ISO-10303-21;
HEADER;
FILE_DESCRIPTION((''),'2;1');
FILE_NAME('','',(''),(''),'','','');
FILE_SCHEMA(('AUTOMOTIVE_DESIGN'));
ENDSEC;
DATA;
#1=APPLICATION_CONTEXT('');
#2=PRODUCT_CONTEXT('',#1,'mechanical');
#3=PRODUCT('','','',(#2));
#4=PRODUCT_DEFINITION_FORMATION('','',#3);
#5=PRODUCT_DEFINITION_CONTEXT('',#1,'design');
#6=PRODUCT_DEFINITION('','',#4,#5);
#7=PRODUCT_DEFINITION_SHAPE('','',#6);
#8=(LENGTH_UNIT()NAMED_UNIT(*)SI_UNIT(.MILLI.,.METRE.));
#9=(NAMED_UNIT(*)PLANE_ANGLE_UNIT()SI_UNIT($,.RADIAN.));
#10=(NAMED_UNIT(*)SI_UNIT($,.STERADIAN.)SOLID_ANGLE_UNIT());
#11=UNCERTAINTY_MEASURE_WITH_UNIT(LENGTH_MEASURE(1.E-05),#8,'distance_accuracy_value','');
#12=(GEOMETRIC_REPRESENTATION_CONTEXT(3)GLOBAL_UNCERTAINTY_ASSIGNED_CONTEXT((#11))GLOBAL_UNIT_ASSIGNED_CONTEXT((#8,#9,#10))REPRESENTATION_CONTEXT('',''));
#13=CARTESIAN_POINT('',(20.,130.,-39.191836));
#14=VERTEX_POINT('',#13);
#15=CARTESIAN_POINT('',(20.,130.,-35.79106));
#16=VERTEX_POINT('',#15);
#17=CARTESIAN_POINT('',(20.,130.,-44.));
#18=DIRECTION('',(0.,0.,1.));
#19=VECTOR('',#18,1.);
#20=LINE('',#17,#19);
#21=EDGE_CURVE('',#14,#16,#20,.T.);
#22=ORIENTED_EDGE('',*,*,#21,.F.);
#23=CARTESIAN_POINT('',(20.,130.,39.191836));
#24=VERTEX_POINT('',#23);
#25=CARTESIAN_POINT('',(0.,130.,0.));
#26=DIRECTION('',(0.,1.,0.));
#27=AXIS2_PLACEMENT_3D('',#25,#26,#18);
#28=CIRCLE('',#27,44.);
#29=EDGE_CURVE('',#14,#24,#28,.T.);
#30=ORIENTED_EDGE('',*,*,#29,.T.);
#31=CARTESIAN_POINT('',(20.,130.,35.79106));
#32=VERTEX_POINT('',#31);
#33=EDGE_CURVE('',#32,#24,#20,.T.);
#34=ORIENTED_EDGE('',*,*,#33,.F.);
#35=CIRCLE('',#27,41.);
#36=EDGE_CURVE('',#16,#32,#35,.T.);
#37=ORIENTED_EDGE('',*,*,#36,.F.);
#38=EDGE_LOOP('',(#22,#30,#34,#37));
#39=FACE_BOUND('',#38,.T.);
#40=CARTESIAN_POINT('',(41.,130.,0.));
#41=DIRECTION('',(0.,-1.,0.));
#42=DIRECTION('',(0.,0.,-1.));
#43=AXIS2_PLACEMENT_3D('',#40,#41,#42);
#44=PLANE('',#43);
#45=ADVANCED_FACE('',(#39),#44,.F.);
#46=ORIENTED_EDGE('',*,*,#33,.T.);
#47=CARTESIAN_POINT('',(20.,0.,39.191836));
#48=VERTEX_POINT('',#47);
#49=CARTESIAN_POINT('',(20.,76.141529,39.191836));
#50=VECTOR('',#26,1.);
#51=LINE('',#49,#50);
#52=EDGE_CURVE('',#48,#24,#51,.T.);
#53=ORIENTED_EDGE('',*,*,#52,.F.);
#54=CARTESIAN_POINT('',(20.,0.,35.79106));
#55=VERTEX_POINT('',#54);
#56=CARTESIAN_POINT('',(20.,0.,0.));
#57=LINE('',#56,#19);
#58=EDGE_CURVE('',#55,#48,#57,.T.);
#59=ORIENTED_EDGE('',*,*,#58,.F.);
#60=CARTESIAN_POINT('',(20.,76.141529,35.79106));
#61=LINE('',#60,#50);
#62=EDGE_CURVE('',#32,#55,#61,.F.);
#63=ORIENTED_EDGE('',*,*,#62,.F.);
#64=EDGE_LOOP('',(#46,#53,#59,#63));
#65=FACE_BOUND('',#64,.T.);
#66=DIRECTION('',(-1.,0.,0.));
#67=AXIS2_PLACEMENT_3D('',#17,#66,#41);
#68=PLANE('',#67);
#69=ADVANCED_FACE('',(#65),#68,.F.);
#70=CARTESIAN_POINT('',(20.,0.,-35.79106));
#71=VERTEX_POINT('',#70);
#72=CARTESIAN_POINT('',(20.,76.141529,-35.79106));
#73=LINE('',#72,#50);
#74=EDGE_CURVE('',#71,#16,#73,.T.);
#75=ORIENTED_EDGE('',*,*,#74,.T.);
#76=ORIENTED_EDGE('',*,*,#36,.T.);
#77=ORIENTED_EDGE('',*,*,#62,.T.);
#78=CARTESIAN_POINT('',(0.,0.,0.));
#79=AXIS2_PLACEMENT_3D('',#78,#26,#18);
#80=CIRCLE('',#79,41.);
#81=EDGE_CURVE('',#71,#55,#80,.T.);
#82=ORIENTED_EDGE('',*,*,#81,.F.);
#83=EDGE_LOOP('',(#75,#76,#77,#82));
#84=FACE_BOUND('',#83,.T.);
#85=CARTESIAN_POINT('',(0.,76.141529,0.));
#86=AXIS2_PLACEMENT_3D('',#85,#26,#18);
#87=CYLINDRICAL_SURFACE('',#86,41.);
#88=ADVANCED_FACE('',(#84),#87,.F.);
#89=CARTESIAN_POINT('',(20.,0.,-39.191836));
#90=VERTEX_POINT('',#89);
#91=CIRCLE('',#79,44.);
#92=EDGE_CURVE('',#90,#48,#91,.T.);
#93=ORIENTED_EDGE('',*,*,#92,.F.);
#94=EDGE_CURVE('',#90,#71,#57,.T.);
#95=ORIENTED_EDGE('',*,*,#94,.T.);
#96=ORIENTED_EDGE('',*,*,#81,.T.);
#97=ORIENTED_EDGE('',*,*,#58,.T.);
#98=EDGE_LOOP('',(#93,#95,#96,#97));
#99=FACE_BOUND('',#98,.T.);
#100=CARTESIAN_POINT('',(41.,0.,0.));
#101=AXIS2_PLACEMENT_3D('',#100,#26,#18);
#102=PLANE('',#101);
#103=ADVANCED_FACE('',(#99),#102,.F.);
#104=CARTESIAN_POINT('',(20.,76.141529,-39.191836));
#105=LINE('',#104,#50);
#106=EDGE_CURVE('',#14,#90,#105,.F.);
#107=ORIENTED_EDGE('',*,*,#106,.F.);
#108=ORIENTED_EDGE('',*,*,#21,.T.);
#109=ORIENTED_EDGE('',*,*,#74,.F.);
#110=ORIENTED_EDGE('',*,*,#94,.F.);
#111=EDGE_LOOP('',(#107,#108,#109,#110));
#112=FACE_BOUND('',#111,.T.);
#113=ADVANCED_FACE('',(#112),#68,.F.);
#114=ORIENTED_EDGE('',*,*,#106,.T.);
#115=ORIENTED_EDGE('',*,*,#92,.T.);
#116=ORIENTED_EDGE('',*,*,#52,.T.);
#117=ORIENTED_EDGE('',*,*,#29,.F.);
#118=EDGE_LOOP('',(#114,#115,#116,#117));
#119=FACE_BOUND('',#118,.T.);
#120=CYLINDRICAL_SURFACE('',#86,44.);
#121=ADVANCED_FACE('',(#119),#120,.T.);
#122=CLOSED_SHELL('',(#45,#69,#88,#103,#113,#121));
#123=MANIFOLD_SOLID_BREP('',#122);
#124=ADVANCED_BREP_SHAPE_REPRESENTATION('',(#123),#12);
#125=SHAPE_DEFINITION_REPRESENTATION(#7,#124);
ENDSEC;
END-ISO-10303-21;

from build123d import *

# Parameters (mm, degrees)
SKETCH_1_W               = 3
SKETCH_1_H               = 130
CUT_EXTRUDE_1_DEPTH      = 145.124945794
CUT_EXTRUDE_1_DEPTH_BACK = 145.124945794
SKETCH_2_W               = 35
SKETCH_2_H               = 130


with BuildPart() as part:
    # 草图1 → 旋转1 (revolve)
    with BuildSketch(Plane.XY, mode=Mode.PRIVATE) as revolve_1_sk:
        with Locations((42.5, 65)):
            Rectangle(SKETCH_1_W, SKETCH_1_H)
    revolve(revolve_1_sk.sketch.rotate(Axis((0, 76.141528545, 0), (0, -1, 0)), 90), axis=Axis((0, 76.141528545, 0), (0, -1, 0)))

    # 草图2 → 切除-拉伸1 (cut, two sides: drawn at the far end of the back side and taken through both)
    with BuildSketch(Plane.XY.offset(-CUT_EXTRUDE_1_DEPTH_BACK)):
        with Locations((37.5, 65)):
            Rectangle(SKETCH_2_W, SKETCH_2_H)
    extrude(amount=CUT_EXTRUDE_1_DEPTH + CUT_EXTRUDE_1_DEPTH_BACK, mode=Mode.SUBTRACT)


solid = part.part
